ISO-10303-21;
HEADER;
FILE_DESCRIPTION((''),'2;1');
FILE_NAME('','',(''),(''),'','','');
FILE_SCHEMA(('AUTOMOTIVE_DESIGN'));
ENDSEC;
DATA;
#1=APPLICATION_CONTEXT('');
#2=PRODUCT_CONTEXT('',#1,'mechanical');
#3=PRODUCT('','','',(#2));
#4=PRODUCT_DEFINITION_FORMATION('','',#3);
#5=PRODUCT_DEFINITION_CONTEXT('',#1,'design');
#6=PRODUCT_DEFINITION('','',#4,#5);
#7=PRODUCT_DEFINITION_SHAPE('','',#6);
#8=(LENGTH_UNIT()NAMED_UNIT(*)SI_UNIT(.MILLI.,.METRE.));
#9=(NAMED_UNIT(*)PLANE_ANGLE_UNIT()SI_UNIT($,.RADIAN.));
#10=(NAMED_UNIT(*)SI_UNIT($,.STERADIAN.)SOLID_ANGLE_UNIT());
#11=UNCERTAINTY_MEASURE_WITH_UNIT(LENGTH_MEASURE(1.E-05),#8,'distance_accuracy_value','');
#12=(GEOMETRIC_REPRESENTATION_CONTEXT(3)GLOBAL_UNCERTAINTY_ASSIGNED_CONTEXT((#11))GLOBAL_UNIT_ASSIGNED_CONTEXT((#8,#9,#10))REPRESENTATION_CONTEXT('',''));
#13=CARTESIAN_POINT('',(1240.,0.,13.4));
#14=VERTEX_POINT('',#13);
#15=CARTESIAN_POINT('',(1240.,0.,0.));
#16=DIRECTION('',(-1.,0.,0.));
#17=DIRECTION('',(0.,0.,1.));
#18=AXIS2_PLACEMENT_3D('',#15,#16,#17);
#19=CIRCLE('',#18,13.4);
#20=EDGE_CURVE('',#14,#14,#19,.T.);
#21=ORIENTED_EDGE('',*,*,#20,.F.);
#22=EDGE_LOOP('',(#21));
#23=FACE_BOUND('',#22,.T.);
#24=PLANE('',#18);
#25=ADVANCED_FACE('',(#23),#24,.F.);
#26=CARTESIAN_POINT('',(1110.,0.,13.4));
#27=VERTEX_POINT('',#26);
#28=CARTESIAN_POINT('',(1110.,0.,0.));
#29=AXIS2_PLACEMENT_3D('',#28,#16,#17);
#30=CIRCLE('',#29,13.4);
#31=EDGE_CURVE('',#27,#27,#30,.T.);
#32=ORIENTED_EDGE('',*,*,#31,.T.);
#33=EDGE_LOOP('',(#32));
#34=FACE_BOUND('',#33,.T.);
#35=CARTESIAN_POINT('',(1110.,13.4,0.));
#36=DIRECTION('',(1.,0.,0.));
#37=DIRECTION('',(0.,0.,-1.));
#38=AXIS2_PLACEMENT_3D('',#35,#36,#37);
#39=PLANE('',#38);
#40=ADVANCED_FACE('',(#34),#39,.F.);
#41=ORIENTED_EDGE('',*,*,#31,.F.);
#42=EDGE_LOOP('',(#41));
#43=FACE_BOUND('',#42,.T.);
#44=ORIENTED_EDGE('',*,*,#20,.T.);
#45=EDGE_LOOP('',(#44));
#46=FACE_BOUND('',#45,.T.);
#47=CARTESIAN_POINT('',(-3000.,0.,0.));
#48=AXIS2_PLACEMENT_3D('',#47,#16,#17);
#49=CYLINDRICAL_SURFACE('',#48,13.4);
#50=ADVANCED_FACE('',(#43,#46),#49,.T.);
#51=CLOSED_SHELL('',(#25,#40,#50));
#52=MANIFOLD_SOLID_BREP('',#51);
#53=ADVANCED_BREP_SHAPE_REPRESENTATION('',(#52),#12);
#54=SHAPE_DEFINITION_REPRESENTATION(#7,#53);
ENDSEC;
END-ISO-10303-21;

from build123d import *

# Parameters (mm, degrees)
LEG_CARTRIDGE_SKETCH_W = 130
LEG_CARTRIDGE_SKETCH_H = 13.4


with BuildPart() as part:
    # Leg_Cartridge Sketch → Leg_Cartridge (revolve)
    with BuildSketch(Plane.XY):
        with Locations((1175, 6.7)):
            Rectangle(LEG_CARTRIDGE_SKETCH_W, LEG_CARTRIDGE_SKETCH_H)
    revolve(axis=Axis((-3000, 0, 0), (1, 0, 0)))


solid = part.part
